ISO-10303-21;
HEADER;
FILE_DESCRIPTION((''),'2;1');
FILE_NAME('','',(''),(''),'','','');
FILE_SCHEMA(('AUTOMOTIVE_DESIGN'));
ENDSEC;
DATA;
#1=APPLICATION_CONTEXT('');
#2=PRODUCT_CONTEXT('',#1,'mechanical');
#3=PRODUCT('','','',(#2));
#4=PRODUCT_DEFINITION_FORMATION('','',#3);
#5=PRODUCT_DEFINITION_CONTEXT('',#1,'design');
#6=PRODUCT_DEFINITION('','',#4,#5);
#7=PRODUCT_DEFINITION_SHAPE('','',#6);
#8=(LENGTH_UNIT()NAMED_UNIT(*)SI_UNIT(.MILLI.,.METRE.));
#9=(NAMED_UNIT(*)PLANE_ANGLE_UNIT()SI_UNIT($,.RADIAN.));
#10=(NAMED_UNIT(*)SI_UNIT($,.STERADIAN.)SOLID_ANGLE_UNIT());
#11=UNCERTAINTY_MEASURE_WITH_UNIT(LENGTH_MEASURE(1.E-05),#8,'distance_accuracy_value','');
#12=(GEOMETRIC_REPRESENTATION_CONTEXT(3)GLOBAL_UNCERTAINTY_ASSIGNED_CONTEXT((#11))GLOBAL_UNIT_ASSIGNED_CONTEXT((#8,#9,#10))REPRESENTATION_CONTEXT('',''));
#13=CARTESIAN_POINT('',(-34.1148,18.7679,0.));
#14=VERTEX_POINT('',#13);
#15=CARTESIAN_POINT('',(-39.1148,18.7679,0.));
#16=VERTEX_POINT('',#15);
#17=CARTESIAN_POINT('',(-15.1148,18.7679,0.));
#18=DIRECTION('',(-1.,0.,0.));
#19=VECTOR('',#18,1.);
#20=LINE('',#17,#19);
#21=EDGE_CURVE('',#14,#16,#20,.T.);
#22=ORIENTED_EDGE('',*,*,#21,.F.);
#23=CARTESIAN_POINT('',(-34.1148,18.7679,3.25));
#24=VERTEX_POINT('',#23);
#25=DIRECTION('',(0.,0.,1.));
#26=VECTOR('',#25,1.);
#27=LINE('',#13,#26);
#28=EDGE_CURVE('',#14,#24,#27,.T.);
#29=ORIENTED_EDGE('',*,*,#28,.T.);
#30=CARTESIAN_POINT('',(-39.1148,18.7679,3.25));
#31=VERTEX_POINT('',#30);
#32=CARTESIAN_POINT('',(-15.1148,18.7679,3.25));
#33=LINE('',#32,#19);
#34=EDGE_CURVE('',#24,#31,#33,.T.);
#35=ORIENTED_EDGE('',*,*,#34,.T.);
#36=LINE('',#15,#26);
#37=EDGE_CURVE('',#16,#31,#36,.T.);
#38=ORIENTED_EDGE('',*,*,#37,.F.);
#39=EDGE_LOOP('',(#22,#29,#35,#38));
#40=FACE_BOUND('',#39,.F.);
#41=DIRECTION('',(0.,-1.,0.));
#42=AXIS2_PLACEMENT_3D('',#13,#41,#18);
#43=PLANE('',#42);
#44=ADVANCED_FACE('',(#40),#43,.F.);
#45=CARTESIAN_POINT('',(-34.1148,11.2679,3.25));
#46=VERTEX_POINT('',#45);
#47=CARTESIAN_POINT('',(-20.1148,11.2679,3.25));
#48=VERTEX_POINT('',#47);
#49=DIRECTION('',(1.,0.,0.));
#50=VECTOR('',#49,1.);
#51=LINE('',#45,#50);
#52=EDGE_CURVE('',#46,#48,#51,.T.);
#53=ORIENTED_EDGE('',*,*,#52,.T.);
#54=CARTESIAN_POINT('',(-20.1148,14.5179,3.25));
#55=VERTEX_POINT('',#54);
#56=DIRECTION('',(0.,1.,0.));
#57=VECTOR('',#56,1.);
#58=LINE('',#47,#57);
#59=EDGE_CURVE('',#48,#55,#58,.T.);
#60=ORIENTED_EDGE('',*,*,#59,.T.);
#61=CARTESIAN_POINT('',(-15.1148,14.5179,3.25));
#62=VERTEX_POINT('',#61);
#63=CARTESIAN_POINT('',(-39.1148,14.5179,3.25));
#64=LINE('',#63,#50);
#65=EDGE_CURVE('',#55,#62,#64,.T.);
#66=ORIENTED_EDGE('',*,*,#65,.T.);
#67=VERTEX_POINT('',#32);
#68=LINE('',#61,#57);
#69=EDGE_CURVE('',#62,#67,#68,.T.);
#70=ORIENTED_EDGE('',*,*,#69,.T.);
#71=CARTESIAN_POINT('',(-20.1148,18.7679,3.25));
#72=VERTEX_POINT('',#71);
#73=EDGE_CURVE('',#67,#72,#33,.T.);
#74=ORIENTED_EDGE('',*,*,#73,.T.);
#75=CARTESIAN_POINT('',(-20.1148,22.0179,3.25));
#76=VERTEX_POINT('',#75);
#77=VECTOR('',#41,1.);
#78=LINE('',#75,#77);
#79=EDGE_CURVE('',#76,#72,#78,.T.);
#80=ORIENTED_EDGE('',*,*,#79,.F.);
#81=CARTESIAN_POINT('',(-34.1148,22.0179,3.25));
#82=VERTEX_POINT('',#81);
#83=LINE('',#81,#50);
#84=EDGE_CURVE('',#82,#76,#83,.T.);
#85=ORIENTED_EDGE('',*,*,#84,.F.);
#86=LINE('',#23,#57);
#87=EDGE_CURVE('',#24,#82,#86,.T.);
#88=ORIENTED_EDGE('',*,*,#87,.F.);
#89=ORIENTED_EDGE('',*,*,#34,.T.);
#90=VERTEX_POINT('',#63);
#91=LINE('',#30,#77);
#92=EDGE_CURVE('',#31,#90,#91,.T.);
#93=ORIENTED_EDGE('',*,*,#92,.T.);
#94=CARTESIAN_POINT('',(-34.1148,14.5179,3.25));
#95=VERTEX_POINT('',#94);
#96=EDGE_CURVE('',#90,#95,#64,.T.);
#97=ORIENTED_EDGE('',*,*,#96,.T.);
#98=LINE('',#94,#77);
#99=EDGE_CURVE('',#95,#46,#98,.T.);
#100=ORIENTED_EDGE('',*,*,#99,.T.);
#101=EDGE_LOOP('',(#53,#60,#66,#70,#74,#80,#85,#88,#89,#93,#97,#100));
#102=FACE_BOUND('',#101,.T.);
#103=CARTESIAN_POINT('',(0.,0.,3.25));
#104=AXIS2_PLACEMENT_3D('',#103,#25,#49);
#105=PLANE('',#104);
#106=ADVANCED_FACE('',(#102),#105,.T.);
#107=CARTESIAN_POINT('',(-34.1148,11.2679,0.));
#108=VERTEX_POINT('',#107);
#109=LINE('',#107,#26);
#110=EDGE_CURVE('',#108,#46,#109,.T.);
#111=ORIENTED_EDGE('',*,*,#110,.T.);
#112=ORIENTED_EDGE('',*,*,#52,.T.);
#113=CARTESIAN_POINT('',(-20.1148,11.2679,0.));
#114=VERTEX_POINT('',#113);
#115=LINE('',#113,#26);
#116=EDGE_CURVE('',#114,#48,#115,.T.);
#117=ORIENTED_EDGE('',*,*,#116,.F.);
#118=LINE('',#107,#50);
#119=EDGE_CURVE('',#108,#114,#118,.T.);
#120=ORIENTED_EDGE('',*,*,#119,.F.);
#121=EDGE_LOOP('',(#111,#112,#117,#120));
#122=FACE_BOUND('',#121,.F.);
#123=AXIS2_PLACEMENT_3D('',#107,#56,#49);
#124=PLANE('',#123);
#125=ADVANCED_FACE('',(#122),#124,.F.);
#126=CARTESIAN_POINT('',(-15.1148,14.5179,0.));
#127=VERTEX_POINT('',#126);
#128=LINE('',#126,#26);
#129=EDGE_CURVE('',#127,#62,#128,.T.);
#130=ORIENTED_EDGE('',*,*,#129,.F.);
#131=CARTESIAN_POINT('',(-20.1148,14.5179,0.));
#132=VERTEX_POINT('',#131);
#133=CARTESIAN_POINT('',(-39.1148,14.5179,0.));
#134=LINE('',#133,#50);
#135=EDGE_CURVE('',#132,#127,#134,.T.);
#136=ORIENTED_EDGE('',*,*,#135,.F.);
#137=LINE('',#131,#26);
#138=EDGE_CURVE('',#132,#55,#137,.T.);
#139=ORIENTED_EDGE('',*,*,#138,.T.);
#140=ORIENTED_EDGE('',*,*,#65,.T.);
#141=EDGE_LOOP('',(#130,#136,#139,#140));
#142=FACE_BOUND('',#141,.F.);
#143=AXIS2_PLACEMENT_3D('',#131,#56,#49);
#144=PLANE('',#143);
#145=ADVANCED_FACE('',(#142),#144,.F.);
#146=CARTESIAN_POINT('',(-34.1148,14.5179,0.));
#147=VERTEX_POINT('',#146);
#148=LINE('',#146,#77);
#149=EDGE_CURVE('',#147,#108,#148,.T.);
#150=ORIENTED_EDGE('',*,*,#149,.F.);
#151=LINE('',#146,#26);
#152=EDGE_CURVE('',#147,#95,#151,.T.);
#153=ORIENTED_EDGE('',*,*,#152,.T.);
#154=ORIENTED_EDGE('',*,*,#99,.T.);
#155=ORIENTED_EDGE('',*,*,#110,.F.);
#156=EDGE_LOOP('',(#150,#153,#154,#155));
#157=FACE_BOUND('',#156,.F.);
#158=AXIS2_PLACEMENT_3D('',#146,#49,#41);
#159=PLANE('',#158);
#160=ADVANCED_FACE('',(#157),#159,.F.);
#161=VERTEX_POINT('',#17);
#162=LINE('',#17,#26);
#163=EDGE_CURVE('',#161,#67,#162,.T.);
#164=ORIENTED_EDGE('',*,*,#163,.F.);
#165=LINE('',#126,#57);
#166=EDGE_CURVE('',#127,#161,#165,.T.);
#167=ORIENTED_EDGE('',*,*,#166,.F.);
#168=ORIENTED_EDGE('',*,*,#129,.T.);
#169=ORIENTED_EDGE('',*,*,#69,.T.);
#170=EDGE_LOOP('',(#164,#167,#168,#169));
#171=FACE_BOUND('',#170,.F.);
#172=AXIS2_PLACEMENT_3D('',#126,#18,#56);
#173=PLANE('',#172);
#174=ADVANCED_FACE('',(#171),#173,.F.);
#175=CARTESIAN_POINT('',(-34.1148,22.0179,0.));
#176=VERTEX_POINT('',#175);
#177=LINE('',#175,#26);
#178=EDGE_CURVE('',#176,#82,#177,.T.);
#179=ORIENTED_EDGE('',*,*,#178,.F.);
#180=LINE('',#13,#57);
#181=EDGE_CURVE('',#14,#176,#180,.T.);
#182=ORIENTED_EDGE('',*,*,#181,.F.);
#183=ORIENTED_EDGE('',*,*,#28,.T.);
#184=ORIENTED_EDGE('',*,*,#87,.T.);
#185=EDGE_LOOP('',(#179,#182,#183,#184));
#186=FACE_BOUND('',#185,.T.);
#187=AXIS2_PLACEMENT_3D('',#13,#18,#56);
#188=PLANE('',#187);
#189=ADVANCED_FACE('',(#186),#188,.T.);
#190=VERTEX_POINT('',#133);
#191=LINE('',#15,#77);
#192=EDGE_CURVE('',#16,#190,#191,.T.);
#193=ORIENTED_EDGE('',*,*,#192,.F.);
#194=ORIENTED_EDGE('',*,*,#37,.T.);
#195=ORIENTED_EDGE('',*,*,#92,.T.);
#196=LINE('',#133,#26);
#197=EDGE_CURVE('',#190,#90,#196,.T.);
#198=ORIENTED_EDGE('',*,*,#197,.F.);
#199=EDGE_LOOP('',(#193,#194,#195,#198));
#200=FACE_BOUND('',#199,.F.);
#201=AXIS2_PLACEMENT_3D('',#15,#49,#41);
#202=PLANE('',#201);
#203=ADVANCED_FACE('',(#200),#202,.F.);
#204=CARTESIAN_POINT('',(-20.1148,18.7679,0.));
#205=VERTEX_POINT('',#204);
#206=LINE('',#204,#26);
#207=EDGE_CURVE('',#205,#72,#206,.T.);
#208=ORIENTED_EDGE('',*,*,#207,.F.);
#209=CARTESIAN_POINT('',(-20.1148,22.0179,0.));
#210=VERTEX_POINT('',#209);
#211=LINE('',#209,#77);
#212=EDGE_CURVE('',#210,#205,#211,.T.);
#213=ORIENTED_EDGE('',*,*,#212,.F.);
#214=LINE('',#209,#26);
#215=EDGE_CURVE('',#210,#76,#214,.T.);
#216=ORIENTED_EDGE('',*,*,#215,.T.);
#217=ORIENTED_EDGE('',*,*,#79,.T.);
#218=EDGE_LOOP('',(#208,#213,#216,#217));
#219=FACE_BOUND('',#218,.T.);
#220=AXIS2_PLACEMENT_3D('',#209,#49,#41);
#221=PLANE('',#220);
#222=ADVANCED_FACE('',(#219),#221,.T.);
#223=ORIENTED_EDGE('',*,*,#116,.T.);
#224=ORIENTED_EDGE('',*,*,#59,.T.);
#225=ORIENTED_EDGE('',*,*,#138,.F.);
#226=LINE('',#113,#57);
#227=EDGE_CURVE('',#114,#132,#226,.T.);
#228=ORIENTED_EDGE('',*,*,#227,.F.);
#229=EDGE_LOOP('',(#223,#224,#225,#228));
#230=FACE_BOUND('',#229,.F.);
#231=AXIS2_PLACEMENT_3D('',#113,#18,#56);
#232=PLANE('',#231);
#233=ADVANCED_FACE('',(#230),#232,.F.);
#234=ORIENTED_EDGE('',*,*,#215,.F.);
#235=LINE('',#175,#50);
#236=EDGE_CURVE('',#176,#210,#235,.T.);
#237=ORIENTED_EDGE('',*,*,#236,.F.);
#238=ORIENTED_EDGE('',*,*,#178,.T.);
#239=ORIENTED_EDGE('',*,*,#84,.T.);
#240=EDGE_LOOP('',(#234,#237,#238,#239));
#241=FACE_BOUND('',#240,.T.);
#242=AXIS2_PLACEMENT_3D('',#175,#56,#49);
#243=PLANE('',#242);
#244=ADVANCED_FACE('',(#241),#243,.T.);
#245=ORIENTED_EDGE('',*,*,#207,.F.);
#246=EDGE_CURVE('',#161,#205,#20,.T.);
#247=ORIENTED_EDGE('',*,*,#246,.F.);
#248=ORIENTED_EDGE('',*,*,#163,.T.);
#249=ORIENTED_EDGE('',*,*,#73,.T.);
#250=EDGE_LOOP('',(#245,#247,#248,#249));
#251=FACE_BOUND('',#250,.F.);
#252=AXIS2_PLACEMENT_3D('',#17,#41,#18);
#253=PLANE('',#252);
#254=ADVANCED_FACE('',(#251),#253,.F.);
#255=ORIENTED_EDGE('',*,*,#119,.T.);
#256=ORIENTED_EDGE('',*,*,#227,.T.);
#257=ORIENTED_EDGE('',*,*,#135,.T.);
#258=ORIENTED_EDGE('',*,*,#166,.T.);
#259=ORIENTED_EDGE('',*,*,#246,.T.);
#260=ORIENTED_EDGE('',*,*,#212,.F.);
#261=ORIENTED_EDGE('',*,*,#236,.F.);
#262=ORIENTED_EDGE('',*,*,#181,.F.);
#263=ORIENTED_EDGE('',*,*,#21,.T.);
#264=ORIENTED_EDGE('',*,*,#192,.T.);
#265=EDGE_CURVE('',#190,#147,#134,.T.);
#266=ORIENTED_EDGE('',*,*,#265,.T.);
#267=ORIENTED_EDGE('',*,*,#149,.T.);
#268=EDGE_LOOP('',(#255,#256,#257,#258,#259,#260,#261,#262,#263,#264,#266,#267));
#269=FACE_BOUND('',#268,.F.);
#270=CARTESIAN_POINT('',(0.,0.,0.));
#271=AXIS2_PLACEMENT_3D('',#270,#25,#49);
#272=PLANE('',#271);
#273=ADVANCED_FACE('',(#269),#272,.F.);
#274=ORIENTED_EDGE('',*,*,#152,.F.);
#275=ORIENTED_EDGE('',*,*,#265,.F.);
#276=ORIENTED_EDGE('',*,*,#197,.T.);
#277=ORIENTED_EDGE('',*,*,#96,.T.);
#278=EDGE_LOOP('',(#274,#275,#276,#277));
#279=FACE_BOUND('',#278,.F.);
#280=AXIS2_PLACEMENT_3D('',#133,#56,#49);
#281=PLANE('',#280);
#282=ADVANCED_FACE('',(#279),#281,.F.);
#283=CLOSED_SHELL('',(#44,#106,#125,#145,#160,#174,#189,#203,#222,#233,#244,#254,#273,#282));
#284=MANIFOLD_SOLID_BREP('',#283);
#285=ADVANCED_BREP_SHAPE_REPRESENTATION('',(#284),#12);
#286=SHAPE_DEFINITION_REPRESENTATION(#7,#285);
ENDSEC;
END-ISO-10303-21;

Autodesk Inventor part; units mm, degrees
ref_plane "YZ Plane" through (0, 0, 0) normal (1, 0, 0) x (0, 1, 0)
ref_plane "XZ Plane" through (0, 0, 0) normal (0, 1, 0) x (-1, 0, 0)
ref_plane "XY Plane" through (0, 0, 0) normal (0, 0, 1) x (1, 0, 0)
sketch "Block1" plane through (0, 0, 0) normal (0, 0, 1) x (1, 0, 0)
  circle A0 centre (74.029, 24.2723) radius 1
  line L0 (49.279, 30.4723) -> (71.779, 30.4723)
  line L1 (71.779, 30.4723) -> (71.779, 18.0723)
  line L2 (71.779, 18.0723) -> (49.279, 18.0723)
  line L3 (49.279, 18.0723) -> (49.279, 30.4723)
  line L4 (49.279, 30.4723) -> (44.779, 30.4723)
  line L5 (44.779, 30.4723) -> (44.779, 18.0723)
  line L6 (44.779, 18.0723) -> (49.279, 18.0723)
  line L7 (49.279, 18.0723) -> (49.279, 30.4723)
  line L8 (71.779, 30.4723) -> (76.279, 30.4723)
  line L9 (76.279, 30.4723) -> (76.279, 18.0723)
  line L10 (76.279, 18.0723) -> (71.779, 18.0723)
  line L11 (71.779, 18.0723) -> (71.779, 30.4723)
  line L12 (44.779, 24.2723) -> (76.279, 24.2723) construction
  line L13 (47.029, 30.4723) -> (47.029, 18.0723) construction
  circle A1 centre (47.029, 24.2723) radius 1
  line L14 (74.029, 30.4723) -> (74.029, 18.0723) construction
  point P0 (60.979, 24.0984)
  dimension "d22" = 22.5
  dimension "d23" = 12.4
  dimension "d24" = 4.5
  dimension "d25" = 4.5
  dimension "d26" = 2
  dimension "d27" = 2
sketch "Sketch1" plane through (0, 0, 0) normal (0, 0, 1) x (1, 0, 0)
  line L0 (-92.7646, -8.503) -> (-89.7646, -8.503)
  line L1 (-89.7646, -8.503) -> (-89.7646, -11.753)
  line L2 (-89.7646, -11.753) -> (-92.7646, -11.753)
  line L3 (-92.7646, -11.753) -> (-92.7646, -8.503)
  line L4 (-92.7646, -21.6527) -> (-89.7646, -21.6527)
  line L5 (-89.7646, -21.6527) -> (-89.7646, -21.7527)
  line L6 (-89.7646, -21.7527) -> (-92.7646, -21.7527)
  line L7 (-92.7646, -21.7527) -> (-92.7646, -21.6527)
  line L8 (-39.1148, 14.5179) -> (-15.1148, 14.5179)
  line L9 (-15.1148, 14.5179) -> (-15.1148, 18.7679)
  line L10 (-15.1148, 18.7679) -> (-39.1148, 18.7679)
  line L11 (-39.1148, 18.7679) -> (-39.1148, 14.5179)
  line L12 (-34.1148, 22.0179) -> (-20.1148, 22.0179)
  line L13 (-20.1148, 22.0179) -> (-20.1148, 18.7679)
  line L14 (-20.1148, 18.7679) -> (-34.1148, 18.7679)
  line L15 (-34.1148, 18.7679) -> (-34.1148, 22.0179)
  line L16 (-39.1148, 16.6429) -> (-15.1148, 16.6429) construction
  line L17 (-27.1148, 22.0179) -> (-27.1148, 18.7679) construction
  line L18 (-27.1148, 18.7679) -> (-27.1148, 14.5179) construction
  line L19 (-34.1148, 11.2679) -> (-20.1148, 11.2679)
  line L20 (-20.1148, 11.2679) -> (-20.1148, 14.5179)
  line L21 (-20.1148, 14.5179) -> (-34.1148, 14.5179)
  line L22 (-34.1148, 14.5179) -> (-34.1148, 11.2679)
  line L23 (-27.1148, 11.2679) -> (-27.1148, 14.5179) construction
  point P0 (0, 0)
  point P1 (-27.1148, 14.5179)
  dimension "d3" = 3
  dimension "mat" = 3.25
  dimension "d5" = 3
  dimension "kerf" = 0.1
  dimension "d42" = 24
  dimension "d43" = 4.25
  dimension "d44" = 14
  dimension "d45" = 3.25
extrude "Extrusion6" add sketch "Sketch1" along normal blind 3.25 contours L11 L10 L9 L8 | L8 L20 L19 L22 | L15 L12 L13 L10
equation "\"d45\" = mat"
equation "\"d46\" = mat"
properties part number "body-back"
